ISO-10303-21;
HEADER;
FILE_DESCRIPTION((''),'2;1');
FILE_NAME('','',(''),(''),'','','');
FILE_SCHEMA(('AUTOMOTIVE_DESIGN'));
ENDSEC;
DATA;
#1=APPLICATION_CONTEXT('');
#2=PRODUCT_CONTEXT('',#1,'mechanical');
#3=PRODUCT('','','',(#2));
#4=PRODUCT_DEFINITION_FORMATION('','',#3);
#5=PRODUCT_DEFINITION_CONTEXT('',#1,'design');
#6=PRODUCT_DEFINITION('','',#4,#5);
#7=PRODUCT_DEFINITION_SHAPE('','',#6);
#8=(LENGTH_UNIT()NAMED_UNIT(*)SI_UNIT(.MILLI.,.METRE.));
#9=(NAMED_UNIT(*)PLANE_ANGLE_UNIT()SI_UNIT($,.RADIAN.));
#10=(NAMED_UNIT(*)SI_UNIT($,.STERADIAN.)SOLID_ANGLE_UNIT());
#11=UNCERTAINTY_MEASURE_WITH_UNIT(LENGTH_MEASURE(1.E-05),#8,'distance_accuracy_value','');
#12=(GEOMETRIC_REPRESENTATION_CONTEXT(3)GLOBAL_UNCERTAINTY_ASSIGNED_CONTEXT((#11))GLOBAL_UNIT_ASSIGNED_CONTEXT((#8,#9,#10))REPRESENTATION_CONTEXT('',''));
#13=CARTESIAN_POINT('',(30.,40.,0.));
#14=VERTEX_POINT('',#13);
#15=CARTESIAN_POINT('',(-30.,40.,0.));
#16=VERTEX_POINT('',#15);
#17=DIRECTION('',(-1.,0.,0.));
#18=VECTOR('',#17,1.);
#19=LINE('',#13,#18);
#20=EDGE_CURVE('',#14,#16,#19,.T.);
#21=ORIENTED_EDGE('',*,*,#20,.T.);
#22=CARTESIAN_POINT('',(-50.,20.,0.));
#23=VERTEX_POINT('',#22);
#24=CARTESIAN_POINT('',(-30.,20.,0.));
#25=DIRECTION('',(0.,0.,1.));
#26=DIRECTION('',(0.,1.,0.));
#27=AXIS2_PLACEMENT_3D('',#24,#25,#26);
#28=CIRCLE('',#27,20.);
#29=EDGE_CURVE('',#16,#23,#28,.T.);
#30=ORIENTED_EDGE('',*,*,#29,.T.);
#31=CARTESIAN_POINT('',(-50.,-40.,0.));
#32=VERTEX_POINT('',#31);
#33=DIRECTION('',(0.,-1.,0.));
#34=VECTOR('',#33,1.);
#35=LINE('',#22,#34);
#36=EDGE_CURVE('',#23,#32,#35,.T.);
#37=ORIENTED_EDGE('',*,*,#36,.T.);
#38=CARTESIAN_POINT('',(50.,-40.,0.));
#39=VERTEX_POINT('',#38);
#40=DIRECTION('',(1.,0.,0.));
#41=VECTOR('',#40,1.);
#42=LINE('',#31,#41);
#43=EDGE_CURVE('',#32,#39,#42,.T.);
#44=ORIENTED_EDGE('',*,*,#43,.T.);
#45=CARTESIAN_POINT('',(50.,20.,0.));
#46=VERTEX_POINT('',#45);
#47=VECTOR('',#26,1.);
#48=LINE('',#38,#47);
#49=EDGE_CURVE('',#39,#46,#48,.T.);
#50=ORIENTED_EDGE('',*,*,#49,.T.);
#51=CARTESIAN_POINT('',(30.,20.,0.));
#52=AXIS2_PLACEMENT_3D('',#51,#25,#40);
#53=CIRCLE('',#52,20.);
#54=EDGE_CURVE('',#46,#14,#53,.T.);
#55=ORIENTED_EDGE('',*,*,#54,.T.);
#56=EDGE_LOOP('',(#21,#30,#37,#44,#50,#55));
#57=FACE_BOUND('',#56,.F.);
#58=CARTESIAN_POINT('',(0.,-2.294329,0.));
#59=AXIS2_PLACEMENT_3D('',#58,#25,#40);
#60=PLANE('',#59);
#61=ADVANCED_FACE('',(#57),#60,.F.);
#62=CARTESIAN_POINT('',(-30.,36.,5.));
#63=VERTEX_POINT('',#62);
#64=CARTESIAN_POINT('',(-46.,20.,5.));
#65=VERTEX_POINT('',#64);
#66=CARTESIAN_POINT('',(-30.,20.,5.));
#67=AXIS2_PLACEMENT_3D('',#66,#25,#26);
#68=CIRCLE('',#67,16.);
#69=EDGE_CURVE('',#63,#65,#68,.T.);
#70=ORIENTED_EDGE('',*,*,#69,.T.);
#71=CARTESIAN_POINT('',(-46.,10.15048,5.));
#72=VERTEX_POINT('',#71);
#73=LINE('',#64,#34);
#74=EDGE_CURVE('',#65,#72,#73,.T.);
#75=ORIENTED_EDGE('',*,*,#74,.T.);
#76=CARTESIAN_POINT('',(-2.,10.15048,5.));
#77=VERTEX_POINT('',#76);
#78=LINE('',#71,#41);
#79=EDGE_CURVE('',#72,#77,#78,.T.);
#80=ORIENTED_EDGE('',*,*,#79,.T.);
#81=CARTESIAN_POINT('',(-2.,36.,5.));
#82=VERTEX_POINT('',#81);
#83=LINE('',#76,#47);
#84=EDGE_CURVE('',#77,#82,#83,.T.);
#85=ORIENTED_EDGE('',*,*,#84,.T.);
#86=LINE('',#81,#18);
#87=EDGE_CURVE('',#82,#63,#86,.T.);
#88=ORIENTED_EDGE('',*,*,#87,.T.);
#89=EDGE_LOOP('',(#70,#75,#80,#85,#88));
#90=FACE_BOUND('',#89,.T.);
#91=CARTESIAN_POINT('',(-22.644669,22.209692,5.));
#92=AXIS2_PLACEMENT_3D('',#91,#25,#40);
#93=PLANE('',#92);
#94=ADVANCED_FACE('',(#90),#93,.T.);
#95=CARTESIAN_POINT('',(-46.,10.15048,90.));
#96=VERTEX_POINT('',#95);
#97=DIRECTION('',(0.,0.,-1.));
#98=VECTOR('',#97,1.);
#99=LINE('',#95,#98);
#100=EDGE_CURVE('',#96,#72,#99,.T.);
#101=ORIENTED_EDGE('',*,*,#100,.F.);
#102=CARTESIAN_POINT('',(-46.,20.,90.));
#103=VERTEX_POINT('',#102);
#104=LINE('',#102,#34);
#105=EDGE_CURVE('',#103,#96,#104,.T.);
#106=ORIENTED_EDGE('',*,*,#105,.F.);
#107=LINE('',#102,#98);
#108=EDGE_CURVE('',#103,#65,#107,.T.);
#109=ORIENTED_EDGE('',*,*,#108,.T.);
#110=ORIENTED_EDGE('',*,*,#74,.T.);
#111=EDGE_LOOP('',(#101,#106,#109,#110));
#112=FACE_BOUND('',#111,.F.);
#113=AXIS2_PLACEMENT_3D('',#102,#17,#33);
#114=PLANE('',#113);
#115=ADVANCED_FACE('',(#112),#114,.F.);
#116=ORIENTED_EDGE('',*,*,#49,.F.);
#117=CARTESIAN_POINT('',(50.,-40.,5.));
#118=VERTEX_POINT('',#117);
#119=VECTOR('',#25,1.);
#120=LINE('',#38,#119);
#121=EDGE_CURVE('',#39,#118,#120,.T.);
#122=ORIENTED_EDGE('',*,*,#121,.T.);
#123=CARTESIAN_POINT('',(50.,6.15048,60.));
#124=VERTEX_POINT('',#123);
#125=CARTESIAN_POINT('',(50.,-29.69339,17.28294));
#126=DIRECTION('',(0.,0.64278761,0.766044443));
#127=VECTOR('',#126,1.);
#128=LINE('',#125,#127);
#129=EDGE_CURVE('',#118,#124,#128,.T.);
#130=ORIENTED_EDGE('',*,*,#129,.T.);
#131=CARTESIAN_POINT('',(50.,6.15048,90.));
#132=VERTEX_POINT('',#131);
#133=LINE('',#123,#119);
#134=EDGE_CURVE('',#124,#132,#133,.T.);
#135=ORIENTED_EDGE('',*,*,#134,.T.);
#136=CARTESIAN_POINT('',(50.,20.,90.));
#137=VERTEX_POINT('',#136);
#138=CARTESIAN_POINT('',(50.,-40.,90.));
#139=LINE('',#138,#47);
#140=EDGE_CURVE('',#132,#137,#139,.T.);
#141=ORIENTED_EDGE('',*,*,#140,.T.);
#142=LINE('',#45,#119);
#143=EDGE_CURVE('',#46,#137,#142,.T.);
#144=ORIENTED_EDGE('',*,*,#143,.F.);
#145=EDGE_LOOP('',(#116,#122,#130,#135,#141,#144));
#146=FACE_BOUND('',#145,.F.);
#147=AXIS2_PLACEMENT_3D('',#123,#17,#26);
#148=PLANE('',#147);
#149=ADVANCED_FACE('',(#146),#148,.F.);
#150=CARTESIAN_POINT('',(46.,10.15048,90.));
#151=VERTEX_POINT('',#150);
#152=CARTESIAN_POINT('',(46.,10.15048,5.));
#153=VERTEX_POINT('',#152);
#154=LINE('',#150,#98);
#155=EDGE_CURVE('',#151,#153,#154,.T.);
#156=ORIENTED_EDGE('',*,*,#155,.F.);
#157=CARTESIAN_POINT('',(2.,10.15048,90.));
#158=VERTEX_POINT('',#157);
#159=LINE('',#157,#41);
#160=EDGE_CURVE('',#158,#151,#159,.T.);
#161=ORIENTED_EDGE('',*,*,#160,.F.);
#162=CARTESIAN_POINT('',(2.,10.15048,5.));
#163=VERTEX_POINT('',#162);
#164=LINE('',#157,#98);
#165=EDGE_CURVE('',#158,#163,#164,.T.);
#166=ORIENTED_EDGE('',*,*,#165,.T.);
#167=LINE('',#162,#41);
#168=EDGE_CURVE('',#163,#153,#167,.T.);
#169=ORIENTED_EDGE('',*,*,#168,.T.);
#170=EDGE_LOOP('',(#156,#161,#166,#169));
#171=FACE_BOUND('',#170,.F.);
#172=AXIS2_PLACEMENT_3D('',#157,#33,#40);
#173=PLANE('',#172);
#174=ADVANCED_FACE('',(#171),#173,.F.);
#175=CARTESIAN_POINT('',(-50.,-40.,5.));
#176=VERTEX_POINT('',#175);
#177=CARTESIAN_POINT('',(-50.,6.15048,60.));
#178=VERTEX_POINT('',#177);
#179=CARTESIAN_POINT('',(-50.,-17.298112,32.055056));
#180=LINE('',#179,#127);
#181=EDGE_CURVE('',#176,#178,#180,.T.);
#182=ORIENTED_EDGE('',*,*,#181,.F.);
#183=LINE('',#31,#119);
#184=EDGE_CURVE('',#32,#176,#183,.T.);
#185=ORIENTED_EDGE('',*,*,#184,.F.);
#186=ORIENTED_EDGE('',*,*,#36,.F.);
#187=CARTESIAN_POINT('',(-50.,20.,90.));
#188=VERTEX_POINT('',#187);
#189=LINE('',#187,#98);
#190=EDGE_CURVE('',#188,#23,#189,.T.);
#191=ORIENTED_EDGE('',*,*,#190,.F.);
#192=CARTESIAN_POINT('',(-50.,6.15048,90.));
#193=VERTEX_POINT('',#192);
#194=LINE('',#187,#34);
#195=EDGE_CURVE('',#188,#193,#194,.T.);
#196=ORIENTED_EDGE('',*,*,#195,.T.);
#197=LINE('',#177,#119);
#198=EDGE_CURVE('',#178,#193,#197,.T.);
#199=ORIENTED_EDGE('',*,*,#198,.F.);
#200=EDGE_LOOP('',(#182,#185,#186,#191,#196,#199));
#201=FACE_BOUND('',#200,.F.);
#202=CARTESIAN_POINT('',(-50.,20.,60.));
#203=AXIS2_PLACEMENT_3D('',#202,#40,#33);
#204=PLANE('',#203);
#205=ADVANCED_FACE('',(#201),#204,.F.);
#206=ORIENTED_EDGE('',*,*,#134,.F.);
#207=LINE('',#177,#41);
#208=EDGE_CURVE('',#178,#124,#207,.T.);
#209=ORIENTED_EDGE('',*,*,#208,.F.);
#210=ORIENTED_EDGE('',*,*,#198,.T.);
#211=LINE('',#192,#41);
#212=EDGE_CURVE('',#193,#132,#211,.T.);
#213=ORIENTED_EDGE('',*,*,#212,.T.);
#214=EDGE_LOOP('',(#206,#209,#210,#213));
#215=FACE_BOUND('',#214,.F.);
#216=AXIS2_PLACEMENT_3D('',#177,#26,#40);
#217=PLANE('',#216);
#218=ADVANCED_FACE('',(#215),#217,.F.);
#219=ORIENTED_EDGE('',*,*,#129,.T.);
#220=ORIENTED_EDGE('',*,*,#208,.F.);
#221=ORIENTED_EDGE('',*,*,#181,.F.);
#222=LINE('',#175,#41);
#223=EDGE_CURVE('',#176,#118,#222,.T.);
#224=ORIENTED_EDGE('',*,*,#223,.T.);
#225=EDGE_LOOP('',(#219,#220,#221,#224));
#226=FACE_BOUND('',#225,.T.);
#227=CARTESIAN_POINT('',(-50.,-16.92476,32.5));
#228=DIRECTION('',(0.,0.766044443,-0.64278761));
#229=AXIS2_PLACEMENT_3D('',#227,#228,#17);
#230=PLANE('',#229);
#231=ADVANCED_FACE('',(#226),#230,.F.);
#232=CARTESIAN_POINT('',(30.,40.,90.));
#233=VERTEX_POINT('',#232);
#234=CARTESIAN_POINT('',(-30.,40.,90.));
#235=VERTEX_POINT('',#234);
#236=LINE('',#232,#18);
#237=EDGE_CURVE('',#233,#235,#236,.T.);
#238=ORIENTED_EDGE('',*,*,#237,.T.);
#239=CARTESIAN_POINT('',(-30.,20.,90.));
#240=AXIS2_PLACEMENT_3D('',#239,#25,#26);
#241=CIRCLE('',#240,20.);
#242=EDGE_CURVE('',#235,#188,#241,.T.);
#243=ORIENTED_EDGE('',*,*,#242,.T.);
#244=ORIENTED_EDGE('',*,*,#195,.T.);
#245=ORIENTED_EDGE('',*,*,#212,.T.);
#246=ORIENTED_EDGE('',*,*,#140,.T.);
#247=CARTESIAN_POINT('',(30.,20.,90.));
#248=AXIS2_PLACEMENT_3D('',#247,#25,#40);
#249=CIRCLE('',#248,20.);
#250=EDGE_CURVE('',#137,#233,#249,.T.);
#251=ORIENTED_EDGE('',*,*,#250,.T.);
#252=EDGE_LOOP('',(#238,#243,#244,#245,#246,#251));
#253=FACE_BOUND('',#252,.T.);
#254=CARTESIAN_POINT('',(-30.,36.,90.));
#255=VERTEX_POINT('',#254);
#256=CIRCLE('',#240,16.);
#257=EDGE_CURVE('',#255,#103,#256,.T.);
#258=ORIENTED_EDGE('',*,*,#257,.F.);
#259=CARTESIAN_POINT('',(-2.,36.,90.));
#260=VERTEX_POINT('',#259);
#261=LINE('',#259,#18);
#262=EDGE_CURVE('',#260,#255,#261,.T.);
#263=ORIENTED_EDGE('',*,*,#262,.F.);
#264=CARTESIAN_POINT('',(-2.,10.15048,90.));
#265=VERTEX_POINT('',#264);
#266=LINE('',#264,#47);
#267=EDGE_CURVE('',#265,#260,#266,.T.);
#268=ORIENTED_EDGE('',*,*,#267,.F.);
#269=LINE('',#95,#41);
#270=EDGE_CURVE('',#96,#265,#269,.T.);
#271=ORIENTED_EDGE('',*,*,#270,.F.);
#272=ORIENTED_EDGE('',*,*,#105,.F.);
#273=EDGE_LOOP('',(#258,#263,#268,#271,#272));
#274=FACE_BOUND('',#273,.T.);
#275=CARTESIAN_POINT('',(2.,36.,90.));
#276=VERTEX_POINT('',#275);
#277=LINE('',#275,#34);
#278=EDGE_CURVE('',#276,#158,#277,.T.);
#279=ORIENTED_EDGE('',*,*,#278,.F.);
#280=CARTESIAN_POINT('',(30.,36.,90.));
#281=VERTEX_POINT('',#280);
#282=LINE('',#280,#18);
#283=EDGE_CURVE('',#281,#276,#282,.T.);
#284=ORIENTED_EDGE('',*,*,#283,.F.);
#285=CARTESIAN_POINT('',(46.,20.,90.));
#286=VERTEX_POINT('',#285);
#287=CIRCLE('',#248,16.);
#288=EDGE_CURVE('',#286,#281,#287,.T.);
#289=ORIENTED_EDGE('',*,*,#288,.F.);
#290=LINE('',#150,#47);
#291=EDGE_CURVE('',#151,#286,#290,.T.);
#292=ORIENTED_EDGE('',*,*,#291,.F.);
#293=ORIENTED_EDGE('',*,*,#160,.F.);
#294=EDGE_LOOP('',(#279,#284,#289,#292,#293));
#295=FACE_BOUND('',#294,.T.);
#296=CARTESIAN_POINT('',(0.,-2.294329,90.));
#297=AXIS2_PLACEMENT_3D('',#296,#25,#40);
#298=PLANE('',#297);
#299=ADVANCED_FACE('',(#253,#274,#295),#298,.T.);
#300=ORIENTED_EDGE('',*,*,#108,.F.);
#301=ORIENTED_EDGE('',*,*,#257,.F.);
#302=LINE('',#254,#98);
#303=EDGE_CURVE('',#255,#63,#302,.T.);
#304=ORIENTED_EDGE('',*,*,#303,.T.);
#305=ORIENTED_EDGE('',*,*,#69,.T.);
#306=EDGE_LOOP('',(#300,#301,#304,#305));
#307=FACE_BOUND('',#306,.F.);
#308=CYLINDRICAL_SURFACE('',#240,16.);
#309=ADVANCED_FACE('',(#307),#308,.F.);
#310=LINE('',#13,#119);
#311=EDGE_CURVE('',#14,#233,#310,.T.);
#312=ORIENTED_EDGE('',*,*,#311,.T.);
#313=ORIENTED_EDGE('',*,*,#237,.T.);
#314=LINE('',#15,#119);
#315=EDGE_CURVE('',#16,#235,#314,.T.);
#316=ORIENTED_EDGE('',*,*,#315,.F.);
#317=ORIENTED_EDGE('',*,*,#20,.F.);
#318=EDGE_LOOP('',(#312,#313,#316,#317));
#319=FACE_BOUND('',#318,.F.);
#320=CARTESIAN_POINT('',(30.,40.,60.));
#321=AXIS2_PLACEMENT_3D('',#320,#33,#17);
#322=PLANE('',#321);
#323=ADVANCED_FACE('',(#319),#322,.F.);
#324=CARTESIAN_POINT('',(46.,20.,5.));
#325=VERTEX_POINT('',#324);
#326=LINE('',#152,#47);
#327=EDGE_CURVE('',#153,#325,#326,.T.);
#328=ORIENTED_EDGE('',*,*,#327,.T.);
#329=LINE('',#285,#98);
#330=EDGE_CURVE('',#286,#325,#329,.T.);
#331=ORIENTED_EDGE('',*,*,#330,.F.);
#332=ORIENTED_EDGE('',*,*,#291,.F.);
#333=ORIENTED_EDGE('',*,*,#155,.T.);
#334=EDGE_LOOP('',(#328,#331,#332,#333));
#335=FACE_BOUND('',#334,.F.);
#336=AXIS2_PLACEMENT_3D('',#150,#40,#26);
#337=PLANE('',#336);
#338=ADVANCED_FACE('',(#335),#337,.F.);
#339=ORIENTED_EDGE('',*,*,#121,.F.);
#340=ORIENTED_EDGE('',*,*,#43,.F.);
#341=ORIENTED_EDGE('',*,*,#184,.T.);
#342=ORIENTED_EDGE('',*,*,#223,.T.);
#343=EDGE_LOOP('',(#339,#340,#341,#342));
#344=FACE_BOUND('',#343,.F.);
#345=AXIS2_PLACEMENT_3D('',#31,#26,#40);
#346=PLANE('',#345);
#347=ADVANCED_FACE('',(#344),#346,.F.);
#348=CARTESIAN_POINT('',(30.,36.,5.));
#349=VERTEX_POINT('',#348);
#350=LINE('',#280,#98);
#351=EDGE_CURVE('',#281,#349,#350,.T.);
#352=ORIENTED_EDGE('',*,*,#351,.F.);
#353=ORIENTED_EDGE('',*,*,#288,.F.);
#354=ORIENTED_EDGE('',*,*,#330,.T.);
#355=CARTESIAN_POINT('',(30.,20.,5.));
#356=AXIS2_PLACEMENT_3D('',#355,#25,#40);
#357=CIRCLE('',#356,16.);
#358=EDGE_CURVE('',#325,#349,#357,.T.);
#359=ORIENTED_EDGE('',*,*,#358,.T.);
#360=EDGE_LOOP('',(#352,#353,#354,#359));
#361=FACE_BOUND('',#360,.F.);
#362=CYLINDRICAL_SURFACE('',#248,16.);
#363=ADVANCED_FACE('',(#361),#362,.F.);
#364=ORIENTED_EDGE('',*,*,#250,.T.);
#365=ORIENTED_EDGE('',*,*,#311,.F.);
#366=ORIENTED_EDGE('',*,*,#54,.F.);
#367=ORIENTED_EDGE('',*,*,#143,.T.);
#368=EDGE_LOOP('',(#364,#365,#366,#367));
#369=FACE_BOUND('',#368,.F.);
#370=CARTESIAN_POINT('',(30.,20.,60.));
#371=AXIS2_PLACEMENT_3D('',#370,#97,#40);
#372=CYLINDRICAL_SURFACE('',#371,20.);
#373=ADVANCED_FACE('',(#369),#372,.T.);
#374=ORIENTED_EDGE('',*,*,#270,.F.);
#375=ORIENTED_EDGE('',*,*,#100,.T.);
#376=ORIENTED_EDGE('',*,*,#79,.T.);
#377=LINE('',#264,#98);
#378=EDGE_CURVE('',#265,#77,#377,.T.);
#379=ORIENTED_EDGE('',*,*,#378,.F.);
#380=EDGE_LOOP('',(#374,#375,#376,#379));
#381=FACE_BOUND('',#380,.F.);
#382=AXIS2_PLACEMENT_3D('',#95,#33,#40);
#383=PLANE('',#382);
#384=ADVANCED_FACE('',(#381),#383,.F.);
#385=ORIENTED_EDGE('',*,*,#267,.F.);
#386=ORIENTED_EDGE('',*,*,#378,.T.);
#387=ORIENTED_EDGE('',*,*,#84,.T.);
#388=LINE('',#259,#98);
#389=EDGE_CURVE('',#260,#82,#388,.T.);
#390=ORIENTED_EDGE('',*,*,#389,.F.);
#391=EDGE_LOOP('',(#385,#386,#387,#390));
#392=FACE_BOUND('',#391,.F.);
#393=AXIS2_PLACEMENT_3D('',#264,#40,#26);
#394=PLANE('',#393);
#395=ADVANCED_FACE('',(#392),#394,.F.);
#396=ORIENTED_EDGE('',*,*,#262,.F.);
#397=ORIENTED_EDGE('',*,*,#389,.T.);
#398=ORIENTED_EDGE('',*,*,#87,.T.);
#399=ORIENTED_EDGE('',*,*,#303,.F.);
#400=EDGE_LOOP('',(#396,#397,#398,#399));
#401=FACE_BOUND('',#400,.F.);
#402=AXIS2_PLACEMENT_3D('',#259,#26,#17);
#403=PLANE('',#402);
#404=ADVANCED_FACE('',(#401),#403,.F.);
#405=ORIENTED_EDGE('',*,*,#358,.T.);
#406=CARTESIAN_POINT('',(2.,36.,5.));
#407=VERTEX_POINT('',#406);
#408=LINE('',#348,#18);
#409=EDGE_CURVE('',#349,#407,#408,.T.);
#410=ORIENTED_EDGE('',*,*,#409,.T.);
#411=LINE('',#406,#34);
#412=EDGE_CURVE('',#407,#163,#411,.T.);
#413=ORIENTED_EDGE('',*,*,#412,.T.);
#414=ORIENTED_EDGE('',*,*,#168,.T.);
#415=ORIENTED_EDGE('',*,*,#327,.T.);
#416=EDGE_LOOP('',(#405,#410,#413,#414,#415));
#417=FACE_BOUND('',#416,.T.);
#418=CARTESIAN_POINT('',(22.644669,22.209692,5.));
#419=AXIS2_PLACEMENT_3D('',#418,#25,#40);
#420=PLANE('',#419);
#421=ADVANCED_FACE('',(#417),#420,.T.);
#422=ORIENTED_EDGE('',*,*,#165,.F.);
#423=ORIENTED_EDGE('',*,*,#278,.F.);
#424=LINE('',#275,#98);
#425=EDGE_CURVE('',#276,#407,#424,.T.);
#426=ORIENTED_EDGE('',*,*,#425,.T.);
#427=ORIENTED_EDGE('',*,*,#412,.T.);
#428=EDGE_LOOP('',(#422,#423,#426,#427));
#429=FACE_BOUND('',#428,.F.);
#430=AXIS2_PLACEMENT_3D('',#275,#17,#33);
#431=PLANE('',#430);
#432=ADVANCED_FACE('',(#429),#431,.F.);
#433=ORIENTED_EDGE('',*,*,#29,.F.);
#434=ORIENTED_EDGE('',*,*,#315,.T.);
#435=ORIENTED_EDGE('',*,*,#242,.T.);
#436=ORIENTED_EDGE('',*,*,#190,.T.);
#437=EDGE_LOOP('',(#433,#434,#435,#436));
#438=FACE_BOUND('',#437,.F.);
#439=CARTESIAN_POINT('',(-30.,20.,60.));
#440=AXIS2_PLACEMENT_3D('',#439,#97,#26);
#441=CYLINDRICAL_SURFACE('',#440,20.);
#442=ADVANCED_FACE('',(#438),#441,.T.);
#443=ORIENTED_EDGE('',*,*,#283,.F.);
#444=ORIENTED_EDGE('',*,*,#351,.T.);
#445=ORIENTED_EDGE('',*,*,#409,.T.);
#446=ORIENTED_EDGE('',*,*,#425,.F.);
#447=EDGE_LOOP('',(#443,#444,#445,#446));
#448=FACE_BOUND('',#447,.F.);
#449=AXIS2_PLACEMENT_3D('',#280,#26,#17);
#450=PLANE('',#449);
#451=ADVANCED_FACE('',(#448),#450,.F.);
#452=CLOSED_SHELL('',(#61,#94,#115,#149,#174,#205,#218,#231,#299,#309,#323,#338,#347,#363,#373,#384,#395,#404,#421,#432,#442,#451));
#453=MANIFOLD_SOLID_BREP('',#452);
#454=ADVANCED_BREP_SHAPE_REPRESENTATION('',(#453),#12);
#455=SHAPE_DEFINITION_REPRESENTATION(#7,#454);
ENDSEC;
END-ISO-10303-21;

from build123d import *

# Parameters (mm, degrees)
F1_DEPTH = 60
F2_SIZE2 = 46.1504797148
F2_SIZE  = 55
F3_DEPTH = 30
F5_DEPTH = 85


with BuildPart() as f1:
    # F0 (on Top) → F1 (new body)
    with BuildSketch(Plane.XY):
        with BuildLine():
            Line((-50, -40), (50, -40))
            Line((50, -40), (50, 20))
            ThreePointArc((50, 20), (44.1421356237, 34.1421356237), (30, 40))
            Line((30, 40), (-30, 40))
            ThreePointArc((-30, 40), (-44.1421356237, 34.1421356237), (-50, 20))
            Line((-50, 20), (-50, -40))
        make_face()
    extrude(amount=F1_DEPTH)

    # F2
    f2_edges = [f1.edges().sort_by_distance(p)[0] for p in [
        (0, -40, 60),
    ]]
    f2_side = f1.faces().sort_by_distance((0, -40, 30))[0]
    chamfer(f2_edges, length=F2_SIZE, length2=F2_SIZE2, reference=f2_side)

    # F3 (add): a face of the model
    f3_faces = [f1.faces().sort_by_distance(p)[0] for p in [
        (0, 22.4096547689, 60),
    ]]
    extrude(f3_faces, amount=F3_DEPTH)

    # F4 (on face) → F5 (cut)
    with BuildSketch(Plane.XY.offset(90)):
        with BuildLine():
            Line((30, 36), (2, 36))
            Line((2, 36), (2, 10.1504797148))
            Line((2, 10.1504797148), (46, 10.1504797148))
            Line((46, 10.1504797148), (46, 20))
            ThreePointArc((46, 20), (41.313708499, 31.313708499), (30, 36))
        make_face()
        with BuildLine():
            Line((-2, 36), (-30, 36))
            ThreePointArc((-30, 36), (-41.313708499, 31.313708499), (-46, 20))
            Line((-46, 20), (-46, 10.1504797148))
            Line((-46, 10.1504797148), (-2, 10.1504797148))
            Line((-2, 10.1504797148), (-2, 36))
        make_face()
    extrude(amount=-F5_DEPTH, mode=Mode.SUBTRACT)


solid = f1.part
